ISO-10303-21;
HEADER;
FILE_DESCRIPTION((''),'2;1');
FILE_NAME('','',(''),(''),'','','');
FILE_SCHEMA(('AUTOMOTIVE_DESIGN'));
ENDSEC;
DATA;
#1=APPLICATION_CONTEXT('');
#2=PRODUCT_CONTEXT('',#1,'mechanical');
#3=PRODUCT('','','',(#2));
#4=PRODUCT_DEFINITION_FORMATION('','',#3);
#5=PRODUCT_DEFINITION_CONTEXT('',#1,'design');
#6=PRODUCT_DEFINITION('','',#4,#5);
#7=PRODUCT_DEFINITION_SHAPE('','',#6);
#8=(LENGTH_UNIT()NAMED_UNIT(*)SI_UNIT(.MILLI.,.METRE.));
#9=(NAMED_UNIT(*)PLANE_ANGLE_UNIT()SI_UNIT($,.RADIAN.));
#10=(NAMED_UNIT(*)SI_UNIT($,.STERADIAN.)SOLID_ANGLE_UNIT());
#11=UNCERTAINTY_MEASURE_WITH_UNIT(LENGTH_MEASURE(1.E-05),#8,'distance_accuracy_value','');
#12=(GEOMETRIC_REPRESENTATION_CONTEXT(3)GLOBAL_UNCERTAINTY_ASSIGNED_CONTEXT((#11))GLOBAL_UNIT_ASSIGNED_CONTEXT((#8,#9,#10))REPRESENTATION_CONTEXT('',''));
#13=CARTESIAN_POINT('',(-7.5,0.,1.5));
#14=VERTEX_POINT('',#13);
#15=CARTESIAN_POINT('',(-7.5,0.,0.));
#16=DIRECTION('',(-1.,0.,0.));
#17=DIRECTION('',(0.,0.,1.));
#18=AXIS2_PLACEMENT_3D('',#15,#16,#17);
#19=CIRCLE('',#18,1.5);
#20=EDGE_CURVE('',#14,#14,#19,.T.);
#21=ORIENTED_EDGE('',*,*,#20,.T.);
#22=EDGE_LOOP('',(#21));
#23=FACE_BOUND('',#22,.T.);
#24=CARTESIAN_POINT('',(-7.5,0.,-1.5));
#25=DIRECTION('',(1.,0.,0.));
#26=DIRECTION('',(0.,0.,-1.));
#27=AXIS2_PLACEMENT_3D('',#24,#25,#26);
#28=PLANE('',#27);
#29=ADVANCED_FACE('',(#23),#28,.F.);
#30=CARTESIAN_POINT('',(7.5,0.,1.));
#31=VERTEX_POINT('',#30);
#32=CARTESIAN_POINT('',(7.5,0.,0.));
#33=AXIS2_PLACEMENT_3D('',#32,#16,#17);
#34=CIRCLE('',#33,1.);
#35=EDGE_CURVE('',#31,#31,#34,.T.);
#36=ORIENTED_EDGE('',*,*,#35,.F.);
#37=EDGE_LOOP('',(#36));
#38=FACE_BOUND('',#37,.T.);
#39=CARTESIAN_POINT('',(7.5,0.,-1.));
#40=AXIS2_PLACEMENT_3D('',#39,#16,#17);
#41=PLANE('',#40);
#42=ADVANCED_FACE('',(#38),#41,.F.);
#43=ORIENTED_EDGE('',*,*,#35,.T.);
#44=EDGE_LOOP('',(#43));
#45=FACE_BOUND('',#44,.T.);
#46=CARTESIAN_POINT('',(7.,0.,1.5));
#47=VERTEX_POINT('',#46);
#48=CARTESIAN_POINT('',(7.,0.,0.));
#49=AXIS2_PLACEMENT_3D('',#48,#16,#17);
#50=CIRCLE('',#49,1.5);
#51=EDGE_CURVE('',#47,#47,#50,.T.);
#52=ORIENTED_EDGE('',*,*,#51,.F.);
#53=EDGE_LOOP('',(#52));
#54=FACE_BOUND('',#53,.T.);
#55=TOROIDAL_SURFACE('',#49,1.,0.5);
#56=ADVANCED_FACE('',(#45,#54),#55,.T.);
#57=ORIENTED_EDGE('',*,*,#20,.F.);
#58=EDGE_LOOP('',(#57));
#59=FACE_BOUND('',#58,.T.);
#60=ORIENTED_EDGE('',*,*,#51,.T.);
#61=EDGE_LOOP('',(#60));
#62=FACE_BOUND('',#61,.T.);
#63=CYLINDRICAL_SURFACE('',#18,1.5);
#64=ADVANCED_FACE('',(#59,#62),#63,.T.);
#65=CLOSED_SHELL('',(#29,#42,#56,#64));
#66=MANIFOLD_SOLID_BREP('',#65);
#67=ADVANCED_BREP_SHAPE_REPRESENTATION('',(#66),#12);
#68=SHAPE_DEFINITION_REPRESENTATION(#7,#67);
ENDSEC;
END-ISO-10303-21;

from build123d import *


with BuildPart() as part:
    # Sketch1 → Revolve1 (revolve)
    with BuildSketch(Plane(origin=(0, 0, 0), x_dir=(1, 0, 0), z_dir=(0, 1, 0))):
        with BuildLine():
            Line((-7.5, 1.5), (7, 1.5))
            ThreePointArc((7, 1.5), (7.353553391, 1.353553391), (7.5, 1))
            Line((7.5, 1), (7.5, 0))
            Line((7.5, 0), (-7.5, 0))
            Line((-7.5, 0), (-7.5, 1.5))
        make_face()
    revolve(axis=Axis((-7.5, 0, 0), (1, 0, 0)))


solid = part.part
